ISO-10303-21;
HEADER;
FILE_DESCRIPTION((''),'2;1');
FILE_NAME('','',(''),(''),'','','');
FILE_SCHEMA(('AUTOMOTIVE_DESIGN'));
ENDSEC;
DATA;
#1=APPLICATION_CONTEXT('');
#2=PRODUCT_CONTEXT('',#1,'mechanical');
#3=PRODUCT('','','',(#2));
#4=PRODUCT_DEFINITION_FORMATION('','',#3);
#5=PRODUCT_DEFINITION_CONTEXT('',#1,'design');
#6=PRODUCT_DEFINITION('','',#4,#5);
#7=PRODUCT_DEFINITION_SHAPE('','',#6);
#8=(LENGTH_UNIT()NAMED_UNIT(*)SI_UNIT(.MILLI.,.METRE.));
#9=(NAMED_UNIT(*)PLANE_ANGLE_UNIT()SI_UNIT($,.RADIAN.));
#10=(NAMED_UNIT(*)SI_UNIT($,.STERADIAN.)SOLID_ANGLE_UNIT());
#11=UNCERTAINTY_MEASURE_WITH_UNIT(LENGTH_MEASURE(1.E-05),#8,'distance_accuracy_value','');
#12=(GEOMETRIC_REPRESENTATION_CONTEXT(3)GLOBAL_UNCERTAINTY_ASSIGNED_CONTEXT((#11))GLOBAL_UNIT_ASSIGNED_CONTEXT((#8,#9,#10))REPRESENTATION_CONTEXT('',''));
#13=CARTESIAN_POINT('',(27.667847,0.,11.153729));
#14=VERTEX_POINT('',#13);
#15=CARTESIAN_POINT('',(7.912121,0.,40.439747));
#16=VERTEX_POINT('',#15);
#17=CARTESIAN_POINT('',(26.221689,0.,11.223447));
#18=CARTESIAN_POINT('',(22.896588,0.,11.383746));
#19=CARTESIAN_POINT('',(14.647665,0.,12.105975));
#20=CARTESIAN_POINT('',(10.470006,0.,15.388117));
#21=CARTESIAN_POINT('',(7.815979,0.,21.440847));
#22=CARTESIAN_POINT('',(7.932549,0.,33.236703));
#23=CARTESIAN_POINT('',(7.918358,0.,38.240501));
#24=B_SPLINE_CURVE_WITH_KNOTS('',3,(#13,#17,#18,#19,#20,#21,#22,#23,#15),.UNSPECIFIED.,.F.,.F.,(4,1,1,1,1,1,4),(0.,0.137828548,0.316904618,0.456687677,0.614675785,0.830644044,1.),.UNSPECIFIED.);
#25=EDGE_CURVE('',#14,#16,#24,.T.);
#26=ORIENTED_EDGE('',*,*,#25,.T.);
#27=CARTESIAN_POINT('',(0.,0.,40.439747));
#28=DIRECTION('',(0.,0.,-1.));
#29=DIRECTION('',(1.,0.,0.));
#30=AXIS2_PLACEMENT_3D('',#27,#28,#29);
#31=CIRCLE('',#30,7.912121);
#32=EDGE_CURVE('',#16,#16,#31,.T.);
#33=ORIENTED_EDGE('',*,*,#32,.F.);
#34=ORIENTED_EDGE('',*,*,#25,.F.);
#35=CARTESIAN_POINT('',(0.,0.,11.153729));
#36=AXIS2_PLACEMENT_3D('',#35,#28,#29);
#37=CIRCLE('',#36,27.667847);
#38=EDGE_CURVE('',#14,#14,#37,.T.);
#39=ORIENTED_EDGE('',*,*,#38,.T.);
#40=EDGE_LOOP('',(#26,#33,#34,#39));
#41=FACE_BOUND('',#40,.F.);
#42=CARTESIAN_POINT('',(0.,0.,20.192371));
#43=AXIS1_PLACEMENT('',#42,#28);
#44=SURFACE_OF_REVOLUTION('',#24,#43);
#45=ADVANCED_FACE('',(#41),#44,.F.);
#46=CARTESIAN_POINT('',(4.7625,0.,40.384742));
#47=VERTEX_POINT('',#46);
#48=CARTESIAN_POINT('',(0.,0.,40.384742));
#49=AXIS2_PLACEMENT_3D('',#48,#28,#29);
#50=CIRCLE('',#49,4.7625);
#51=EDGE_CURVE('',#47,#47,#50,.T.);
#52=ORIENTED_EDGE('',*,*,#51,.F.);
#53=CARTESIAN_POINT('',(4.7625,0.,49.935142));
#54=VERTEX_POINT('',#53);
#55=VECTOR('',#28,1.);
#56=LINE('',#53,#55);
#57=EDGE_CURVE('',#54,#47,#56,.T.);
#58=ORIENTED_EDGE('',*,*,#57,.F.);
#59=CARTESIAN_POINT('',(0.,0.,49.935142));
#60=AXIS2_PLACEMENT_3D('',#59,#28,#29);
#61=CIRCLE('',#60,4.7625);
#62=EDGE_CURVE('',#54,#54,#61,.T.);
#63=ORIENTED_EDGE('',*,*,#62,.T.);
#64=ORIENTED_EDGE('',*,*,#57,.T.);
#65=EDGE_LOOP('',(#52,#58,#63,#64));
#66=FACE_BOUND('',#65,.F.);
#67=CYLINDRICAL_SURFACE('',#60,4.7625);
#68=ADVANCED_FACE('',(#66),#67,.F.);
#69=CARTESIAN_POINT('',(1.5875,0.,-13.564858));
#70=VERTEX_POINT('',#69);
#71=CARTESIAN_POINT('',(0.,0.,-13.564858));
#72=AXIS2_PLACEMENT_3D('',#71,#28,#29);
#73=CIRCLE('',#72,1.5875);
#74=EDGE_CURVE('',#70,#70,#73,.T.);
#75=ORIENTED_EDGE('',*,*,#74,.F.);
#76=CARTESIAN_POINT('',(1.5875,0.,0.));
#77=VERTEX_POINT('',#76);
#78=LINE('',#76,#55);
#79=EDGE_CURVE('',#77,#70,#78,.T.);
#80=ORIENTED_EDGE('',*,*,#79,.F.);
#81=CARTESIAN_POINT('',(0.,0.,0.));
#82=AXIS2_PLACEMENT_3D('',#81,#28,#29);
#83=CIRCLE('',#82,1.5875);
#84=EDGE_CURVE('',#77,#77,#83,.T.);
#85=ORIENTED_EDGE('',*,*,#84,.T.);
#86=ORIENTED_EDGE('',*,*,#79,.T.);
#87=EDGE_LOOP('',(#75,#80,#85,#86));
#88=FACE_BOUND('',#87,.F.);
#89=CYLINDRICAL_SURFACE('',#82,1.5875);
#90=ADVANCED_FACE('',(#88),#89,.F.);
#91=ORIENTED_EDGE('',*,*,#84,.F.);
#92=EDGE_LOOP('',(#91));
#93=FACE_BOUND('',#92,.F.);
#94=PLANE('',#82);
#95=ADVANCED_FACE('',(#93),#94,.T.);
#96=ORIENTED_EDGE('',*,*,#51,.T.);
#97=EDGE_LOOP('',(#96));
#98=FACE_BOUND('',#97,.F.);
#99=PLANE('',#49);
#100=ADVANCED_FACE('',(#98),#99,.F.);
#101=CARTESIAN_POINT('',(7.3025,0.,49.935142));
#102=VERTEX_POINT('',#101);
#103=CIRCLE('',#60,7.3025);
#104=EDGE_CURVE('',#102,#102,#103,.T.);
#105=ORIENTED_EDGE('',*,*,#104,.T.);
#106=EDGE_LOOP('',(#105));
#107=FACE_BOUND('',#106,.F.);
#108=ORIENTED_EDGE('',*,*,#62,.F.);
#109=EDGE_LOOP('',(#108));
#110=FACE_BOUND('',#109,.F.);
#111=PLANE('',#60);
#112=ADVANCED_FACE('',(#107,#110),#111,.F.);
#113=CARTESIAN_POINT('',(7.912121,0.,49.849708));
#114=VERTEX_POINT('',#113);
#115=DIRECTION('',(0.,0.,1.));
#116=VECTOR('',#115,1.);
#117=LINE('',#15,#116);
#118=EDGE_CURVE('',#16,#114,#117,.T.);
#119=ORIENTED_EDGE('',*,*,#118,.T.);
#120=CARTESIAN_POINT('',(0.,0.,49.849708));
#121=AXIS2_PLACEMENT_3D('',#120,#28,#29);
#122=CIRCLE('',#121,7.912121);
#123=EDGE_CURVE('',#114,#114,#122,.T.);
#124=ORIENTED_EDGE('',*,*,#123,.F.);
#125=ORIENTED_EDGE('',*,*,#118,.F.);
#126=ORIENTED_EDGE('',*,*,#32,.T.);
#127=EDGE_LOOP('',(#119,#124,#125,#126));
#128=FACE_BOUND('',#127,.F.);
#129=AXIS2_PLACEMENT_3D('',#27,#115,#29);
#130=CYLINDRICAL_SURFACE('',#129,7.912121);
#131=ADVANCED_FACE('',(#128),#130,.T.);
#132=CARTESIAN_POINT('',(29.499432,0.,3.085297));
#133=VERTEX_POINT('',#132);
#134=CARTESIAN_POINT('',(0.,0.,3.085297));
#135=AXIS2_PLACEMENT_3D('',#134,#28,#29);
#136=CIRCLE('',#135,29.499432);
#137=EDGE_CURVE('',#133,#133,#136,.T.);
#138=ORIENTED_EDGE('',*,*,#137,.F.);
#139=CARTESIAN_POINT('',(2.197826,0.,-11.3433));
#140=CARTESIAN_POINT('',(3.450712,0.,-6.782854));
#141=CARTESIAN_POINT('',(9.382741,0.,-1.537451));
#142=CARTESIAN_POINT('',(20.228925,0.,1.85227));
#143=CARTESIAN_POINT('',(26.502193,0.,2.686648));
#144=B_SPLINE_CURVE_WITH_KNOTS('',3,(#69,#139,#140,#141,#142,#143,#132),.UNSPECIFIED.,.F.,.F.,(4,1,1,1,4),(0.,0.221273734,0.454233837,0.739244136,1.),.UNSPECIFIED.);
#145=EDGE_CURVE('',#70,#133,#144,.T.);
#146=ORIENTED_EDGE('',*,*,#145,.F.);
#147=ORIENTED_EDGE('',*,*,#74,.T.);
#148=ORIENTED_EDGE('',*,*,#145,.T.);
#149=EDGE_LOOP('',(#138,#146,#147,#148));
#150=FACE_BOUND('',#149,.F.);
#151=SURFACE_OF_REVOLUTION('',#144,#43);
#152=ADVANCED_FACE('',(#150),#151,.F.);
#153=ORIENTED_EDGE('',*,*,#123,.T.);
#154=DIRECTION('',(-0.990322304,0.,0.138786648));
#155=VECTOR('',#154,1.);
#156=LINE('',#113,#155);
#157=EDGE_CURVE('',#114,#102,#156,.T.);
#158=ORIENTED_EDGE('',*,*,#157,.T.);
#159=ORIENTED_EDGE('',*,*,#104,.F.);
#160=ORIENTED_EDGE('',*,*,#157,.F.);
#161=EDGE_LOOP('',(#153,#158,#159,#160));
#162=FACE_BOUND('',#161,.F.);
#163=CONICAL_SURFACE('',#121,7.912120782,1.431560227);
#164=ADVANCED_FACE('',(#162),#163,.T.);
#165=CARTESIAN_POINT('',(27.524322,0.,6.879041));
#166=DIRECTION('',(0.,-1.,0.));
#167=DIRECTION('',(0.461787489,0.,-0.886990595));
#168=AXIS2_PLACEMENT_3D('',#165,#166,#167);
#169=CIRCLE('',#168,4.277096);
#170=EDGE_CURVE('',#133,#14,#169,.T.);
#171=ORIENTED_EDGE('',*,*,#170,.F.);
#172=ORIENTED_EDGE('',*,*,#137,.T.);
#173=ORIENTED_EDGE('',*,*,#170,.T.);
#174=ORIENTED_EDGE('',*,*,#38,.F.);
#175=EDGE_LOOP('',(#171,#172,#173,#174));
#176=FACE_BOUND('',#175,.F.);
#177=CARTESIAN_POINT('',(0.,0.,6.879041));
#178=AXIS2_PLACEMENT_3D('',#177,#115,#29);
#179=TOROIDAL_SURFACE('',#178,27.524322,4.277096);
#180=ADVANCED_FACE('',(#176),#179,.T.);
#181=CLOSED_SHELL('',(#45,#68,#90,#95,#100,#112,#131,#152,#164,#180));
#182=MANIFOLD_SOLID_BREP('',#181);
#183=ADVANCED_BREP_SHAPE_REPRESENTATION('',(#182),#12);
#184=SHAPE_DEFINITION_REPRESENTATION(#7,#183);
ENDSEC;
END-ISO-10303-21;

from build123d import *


with BuildPart() as f1:
    # F0 (on Front) → F1 (revolve)
    with BuildSketch(Plane.XZ):
        with BuildLine():
            Line((7.3025, 49.9351416626), (4.7625, 49.9351416626))
            Line((4.7625, 49.9351416626), (4.7625, 40.3847416626))
            Line((4.7625, 40.3847416626), (0, 40.3847416626))
            Line((0, 40.3847416626), (0, 6.8790409714))
            Line((0, 6.8790409714), (0, 0))
            Line((0, 0), (1.5875, 0))
            Line((1.5875, 0), (1.5875, -13.5648583374))
            add(Edge.make_bspline(
                [(1.5875, -13.5648583374), (2.197826211, -11.343300191), (3.4507124513, -6.7828543454), (9.3827411245, -1.5374513186), (20.2289245805, 1.8522698942), (26.5021930747, 2.6866479243), (29.49943192, 3.0852966105)],
                knots=[0, 0, 0, 0, 0.221273734, 0.454233837, 0.7392441363, 1, 1, 1, 1], degree=3))
            ThreePointArc((29.49943192, 3.0852966105), (31.695299556, 7.825879337), (27.6678465307, 11.1537287012))
            add(Edge.make_bspline(
                [(27.6678465307, 11.1537287012), (26.2216893508, 11.2234465231), (22.8965880234, 11.3837464036), (14.647665222, 12.1059748712), (10.4700064296, 15.3881169493), (7.8159786412, 21.4408473295), (7.9325491577, 33.2367031168), (7.91835801, 38.2405007706), (7.9121207818, 40.4397472739)],
                knots=[0, 0, 0, 0, 0.1378285483, 0.3169046183, 0.456687677, 0.6146757849, 0.8306440445, 1, 1, 1, 1], degree=3))
            Line((7.9121207818, 40.4397472739), (7.9121207818, 49.8497076333))
            Line((7.9121207818, 49.8497076333), (7.3025, 49.9351416626))
        make_face()
    revolve(axis=Axis((0, 0, 20.1923708313), (0, 0, -1)))


solid = f1.part
